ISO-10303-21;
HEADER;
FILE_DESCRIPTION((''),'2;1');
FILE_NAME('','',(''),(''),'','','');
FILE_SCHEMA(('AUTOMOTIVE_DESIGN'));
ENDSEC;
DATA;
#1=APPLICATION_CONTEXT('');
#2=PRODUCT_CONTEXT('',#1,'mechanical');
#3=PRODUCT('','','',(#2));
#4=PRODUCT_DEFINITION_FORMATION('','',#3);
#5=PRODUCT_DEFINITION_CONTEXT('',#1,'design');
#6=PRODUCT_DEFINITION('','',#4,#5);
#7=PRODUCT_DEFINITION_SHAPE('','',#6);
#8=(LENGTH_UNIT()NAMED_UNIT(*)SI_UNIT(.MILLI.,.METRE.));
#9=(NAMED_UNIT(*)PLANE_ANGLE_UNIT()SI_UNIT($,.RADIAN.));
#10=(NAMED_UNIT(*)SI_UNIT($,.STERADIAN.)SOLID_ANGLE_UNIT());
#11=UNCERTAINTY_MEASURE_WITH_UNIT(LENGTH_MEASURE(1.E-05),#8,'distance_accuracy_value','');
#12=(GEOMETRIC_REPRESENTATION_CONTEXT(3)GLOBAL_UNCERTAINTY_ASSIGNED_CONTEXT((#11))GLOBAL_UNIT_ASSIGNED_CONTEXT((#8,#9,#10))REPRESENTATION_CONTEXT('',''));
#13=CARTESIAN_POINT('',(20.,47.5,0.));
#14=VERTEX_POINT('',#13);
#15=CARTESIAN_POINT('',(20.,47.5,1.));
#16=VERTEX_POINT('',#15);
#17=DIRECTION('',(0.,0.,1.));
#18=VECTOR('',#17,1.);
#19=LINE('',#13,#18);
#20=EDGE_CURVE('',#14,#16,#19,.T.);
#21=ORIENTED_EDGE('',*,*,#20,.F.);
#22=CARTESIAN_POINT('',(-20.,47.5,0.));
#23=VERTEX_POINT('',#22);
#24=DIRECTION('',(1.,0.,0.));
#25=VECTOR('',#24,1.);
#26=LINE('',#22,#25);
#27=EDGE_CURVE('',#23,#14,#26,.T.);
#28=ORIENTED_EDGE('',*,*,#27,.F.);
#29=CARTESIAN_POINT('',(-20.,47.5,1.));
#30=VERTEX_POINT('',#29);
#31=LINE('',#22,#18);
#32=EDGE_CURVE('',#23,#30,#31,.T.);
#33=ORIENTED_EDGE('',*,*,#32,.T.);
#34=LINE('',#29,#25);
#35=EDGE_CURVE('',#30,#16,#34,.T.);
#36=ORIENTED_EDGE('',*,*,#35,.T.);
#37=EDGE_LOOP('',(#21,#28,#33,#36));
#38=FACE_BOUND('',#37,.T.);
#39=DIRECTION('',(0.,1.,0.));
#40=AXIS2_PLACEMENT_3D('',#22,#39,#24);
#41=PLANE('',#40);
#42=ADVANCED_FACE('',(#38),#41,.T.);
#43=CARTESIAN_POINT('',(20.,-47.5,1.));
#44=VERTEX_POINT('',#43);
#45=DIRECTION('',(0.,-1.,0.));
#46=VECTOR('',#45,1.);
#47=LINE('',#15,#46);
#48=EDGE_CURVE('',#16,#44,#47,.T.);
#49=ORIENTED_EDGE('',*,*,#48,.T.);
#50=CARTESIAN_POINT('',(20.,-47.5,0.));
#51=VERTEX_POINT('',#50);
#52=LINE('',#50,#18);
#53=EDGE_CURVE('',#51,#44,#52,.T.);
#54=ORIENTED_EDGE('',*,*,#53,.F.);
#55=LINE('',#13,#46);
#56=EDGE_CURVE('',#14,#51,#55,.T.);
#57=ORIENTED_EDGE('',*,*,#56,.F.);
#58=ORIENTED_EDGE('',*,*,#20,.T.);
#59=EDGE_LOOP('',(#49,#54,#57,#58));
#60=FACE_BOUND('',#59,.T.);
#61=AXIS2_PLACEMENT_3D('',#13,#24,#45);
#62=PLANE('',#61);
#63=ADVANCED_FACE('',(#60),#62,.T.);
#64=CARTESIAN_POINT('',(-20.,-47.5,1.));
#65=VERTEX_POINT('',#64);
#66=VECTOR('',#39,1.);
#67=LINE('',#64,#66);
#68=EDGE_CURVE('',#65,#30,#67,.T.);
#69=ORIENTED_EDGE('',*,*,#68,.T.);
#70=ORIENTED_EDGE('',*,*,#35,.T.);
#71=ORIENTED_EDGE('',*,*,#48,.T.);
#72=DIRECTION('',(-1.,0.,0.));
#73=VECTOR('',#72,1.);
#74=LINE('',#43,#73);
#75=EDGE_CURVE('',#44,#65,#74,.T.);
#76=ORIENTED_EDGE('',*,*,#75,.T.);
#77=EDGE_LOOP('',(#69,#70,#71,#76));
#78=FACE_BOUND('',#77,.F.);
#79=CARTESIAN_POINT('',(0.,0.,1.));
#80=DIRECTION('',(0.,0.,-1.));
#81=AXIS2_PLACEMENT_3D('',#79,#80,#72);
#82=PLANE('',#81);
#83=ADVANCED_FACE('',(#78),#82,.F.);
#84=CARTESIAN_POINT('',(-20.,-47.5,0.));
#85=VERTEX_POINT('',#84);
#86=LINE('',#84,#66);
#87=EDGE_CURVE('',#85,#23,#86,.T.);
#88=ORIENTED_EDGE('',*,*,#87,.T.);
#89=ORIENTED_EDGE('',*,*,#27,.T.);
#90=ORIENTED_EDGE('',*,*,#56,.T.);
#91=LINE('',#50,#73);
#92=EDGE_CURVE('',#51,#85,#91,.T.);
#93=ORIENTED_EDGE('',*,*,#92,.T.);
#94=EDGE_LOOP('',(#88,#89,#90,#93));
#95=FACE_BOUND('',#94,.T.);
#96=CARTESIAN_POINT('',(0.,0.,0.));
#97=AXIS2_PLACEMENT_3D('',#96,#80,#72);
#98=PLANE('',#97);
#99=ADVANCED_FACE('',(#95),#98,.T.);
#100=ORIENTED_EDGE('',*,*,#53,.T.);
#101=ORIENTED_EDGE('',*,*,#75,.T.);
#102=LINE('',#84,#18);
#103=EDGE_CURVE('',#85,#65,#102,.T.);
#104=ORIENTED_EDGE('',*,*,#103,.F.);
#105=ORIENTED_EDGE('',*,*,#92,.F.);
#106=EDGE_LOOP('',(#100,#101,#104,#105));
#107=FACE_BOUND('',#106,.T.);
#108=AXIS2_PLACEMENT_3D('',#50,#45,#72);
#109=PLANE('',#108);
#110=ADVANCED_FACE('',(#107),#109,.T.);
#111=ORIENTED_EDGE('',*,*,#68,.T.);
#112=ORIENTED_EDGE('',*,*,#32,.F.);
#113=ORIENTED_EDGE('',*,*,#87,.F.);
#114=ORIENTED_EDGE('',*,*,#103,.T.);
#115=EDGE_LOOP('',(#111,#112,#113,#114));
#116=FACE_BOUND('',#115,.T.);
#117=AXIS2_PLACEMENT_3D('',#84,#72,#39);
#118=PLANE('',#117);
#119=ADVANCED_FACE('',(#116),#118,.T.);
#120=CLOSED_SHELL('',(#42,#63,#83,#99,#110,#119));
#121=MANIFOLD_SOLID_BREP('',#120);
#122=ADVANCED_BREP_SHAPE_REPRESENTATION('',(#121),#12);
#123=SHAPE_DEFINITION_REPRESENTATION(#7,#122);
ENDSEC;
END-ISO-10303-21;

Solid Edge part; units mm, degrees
sketch "Sketch1" plane through (0, 0, 0) normal (0, 0, 1) x (1, 0, 0)
  line L0 (-20, 47.5) -> (20, 47.5)
  line L1 (20, 47.5) -> (20, -47.5)
  line L2 (20, -47.5) -> (-20, -47.5)
  line L3 (-20, -47.5) -> (-20, 47.5)
  dimension "D1" = 95
  dimension "D2" = 40
extrude "Protrusion1" add sketch "Sketch1" along normal blind 1
properties material "ABS Plastic, high impact"
